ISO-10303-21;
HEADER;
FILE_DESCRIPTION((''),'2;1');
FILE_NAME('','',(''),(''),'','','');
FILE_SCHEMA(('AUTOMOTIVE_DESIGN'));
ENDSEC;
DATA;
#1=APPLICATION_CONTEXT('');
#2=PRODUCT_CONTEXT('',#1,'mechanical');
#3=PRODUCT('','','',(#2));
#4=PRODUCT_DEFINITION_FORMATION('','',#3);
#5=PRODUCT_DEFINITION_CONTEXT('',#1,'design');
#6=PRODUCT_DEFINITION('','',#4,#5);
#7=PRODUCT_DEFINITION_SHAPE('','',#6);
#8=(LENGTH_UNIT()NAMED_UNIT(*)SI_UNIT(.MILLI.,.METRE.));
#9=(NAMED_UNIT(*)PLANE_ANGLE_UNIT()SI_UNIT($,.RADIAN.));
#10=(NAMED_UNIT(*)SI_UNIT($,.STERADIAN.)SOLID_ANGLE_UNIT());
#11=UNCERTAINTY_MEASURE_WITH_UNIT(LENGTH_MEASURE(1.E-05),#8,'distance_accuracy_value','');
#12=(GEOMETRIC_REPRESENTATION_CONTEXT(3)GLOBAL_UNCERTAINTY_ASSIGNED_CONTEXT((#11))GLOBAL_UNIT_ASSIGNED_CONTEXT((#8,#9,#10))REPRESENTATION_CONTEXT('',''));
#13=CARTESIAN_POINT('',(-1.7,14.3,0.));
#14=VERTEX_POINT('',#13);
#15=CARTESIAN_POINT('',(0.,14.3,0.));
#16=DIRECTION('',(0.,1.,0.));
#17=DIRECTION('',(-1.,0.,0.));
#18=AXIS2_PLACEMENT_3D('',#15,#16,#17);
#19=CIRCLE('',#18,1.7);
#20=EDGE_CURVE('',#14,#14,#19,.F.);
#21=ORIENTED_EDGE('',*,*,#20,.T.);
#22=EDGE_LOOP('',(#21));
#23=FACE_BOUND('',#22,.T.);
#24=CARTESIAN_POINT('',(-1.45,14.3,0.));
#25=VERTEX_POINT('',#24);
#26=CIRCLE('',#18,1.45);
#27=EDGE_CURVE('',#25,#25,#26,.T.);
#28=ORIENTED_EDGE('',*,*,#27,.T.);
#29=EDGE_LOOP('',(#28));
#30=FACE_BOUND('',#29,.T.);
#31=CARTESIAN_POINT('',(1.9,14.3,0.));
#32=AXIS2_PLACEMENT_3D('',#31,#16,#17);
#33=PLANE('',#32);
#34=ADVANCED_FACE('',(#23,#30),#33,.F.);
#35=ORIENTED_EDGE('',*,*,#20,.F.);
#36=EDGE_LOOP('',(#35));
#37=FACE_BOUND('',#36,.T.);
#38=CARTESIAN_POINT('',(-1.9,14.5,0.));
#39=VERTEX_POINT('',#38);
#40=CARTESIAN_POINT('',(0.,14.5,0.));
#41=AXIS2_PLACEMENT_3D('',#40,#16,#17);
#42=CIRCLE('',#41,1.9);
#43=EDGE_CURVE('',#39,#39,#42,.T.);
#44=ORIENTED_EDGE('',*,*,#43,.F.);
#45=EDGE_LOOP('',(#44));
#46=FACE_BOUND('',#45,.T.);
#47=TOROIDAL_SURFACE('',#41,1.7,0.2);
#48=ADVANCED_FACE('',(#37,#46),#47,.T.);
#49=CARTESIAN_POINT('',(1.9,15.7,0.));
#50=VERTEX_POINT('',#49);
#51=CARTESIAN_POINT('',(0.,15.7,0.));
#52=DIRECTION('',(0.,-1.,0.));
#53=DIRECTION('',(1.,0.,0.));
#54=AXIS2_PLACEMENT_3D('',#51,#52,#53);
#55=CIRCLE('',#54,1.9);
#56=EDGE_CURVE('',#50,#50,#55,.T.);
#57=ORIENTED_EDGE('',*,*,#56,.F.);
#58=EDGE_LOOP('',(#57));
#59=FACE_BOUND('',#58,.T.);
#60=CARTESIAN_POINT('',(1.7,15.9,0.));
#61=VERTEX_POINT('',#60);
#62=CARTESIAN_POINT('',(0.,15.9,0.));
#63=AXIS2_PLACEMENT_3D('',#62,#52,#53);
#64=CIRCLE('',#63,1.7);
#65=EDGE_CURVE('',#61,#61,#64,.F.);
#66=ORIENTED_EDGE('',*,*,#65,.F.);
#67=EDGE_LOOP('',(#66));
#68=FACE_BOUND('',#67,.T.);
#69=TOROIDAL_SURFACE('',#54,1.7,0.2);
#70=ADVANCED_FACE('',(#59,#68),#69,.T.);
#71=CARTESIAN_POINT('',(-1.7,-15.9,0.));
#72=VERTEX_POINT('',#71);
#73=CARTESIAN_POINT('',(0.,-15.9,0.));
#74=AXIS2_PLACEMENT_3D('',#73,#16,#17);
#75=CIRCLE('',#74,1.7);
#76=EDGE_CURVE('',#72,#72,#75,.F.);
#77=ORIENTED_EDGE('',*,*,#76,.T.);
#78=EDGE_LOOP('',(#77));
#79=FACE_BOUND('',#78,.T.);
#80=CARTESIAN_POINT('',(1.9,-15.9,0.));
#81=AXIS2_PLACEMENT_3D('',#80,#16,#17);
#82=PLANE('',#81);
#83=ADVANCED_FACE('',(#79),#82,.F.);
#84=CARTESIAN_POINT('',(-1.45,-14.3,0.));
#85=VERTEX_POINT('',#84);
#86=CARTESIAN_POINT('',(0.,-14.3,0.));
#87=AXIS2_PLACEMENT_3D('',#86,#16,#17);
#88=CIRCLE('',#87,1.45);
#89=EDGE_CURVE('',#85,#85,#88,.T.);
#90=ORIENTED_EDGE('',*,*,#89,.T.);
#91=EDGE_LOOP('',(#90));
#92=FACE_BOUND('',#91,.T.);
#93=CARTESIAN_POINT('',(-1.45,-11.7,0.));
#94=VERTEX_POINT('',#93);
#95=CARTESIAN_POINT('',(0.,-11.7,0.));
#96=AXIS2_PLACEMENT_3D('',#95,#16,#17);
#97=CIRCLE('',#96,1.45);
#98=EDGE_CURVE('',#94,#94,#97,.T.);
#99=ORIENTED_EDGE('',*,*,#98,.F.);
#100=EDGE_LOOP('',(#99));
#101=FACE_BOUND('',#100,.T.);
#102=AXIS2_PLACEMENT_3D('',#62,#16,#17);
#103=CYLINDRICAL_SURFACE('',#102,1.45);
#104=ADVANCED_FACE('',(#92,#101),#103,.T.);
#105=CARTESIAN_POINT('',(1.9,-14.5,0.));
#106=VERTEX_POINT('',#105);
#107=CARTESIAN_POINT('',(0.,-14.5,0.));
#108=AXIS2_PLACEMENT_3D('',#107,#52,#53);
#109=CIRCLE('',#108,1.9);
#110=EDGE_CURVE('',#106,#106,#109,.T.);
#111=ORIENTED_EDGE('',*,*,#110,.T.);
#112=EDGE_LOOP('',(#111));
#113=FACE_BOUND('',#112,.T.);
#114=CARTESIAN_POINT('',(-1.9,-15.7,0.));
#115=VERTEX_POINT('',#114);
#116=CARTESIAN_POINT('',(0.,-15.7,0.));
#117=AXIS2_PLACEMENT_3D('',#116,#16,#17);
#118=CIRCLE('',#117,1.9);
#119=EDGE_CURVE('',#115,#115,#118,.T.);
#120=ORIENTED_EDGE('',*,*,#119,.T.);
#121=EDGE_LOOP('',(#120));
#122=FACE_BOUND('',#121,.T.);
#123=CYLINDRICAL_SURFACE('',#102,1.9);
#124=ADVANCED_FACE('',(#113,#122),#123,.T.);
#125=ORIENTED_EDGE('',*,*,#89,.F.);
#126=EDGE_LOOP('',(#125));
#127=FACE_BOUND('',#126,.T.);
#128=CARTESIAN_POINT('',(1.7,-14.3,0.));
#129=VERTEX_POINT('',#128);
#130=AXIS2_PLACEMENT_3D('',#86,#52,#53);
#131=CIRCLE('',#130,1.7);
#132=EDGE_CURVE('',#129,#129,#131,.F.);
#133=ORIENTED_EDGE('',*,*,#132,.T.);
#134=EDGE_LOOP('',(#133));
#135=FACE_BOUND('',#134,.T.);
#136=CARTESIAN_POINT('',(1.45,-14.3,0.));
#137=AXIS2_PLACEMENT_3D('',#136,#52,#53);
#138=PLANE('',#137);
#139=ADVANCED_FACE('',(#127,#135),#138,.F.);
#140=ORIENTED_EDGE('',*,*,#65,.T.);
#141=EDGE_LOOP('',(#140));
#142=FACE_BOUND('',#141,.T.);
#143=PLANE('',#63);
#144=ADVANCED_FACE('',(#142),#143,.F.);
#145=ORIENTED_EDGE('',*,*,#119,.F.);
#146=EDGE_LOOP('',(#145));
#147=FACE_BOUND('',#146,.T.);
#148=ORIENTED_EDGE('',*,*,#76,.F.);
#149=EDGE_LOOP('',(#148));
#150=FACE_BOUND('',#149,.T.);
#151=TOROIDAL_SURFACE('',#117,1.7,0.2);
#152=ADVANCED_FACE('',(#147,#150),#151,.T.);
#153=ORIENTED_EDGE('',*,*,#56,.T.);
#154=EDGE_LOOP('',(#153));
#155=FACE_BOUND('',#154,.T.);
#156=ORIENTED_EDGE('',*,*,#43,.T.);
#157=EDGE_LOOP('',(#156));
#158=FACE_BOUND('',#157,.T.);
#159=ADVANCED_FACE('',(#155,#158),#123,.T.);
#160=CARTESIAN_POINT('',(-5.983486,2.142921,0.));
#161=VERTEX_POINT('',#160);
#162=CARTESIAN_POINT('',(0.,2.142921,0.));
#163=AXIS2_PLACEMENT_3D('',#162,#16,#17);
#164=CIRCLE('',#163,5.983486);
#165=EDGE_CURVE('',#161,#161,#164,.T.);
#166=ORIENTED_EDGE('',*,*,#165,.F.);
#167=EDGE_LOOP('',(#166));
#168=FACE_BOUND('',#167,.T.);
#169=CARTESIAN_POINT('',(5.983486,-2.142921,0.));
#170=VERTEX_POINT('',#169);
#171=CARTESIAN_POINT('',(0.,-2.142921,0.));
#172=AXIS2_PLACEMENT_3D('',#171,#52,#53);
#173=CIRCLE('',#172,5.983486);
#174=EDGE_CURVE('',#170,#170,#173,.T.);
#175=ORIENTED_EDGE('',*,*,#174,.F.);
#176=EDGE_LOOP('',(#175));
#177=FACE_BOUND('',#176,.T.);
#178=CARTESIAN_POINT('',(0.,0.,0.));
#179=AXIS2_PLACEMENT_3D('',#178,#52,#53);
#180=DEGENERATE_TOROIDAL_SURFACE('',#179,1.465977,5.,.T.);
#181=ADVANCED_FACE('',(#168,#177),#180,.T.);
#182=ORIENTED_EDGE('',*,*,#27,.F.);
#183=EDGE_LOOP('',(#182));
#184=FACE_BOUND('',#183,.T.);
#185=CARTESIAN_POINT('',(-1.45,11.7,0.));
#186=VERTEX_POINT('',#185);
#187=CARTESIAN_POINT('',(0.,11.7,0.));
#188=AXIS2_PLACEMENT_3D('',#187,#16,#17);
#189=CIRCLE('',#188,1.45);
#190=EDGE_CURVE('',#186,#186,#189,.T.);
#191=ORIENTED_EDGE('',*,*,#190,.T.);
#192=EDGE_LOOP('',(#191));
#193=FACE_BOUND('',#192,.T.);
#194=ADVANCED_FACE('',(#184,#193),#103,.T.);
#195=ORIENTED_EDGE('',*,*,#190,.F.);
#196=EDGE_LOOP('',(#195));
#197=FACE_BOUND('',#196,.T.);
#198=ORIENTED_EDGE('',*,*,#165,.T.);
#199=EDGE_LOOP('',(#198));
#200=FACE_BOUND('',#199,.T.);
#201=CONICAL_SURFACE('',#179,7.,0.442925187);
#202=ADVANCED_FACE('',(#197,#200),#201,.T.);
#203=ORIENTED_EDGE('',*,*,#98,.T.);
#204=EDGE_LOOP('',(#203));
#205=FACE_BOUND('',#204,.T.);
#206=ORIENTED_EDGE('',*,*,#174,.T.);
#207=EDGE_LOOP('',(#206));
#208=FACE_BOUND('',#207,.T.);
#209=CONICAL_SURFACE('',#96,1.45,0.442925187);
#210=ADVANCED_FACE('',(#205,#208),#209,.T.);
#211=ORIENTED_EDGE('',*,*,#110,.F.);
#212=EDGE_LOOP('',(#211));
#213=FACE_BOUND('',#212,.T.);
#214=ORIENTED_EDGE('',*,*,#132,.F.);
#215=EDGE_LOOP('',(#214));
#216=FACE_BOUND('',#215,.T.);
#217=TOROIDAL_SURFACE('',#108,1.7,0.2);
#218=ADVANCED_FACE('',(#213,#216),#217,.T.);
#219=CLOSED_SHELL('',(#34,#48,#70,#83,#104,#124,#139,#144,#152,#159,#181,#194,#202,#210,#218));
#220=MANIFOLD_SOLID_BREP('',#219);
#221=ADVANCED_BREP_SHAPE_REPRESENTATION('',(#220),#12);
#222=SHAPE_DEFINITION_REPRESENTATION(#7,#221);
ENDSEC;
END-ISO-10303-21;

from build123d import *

# Parameters (mm, degrees)
CONG_1_R = 5
CONG_2_R = 0.2


with BuildPart() as part:
    # Esquisse1 → Révolution1 (revolve)
    with BuildSketch(Plane.XY, mode=Mode.PRIVATE) as r_volution1_sk:
        Polygon((0, 15.9), (0, -15.9), (1.9, -15.9), (1.9, -14.3), (1.45, -14.3), (1.45, -11.7), (7, 0), (1.45, 11.7), (1.45, 14.3), (1.9, 14.3), (1.9, 15.9), align=None)
    revolve(r_volution1_sk.sketch.rotate(Axis((0, 15.9, 0), (0, -1, 0)), 180), axis=Axis((0, 15.9, 0), (0, -1, 0)))  # turned: the seam where the file's is

    # Congé1
    cong_1_edges = [part.edges().sort_by_distance(p)[0] for p in [
        (7, 0, 0),
    ]]
    fillet(cong_1_edges, radius=CONG_1_R)

    # Congé2
    cong_2_edges = [part.edges().sort_by_distance(p)[0] for p in [
        (1.9, -14.3, 0),
        (1.9, 14.3, 0),
        (1.9, 15.9, 0),
        (1.9, -15.9, 0),
    ]]
    fillet(cong_2_edges, radius=CONG_2_R)


solid = part.part
